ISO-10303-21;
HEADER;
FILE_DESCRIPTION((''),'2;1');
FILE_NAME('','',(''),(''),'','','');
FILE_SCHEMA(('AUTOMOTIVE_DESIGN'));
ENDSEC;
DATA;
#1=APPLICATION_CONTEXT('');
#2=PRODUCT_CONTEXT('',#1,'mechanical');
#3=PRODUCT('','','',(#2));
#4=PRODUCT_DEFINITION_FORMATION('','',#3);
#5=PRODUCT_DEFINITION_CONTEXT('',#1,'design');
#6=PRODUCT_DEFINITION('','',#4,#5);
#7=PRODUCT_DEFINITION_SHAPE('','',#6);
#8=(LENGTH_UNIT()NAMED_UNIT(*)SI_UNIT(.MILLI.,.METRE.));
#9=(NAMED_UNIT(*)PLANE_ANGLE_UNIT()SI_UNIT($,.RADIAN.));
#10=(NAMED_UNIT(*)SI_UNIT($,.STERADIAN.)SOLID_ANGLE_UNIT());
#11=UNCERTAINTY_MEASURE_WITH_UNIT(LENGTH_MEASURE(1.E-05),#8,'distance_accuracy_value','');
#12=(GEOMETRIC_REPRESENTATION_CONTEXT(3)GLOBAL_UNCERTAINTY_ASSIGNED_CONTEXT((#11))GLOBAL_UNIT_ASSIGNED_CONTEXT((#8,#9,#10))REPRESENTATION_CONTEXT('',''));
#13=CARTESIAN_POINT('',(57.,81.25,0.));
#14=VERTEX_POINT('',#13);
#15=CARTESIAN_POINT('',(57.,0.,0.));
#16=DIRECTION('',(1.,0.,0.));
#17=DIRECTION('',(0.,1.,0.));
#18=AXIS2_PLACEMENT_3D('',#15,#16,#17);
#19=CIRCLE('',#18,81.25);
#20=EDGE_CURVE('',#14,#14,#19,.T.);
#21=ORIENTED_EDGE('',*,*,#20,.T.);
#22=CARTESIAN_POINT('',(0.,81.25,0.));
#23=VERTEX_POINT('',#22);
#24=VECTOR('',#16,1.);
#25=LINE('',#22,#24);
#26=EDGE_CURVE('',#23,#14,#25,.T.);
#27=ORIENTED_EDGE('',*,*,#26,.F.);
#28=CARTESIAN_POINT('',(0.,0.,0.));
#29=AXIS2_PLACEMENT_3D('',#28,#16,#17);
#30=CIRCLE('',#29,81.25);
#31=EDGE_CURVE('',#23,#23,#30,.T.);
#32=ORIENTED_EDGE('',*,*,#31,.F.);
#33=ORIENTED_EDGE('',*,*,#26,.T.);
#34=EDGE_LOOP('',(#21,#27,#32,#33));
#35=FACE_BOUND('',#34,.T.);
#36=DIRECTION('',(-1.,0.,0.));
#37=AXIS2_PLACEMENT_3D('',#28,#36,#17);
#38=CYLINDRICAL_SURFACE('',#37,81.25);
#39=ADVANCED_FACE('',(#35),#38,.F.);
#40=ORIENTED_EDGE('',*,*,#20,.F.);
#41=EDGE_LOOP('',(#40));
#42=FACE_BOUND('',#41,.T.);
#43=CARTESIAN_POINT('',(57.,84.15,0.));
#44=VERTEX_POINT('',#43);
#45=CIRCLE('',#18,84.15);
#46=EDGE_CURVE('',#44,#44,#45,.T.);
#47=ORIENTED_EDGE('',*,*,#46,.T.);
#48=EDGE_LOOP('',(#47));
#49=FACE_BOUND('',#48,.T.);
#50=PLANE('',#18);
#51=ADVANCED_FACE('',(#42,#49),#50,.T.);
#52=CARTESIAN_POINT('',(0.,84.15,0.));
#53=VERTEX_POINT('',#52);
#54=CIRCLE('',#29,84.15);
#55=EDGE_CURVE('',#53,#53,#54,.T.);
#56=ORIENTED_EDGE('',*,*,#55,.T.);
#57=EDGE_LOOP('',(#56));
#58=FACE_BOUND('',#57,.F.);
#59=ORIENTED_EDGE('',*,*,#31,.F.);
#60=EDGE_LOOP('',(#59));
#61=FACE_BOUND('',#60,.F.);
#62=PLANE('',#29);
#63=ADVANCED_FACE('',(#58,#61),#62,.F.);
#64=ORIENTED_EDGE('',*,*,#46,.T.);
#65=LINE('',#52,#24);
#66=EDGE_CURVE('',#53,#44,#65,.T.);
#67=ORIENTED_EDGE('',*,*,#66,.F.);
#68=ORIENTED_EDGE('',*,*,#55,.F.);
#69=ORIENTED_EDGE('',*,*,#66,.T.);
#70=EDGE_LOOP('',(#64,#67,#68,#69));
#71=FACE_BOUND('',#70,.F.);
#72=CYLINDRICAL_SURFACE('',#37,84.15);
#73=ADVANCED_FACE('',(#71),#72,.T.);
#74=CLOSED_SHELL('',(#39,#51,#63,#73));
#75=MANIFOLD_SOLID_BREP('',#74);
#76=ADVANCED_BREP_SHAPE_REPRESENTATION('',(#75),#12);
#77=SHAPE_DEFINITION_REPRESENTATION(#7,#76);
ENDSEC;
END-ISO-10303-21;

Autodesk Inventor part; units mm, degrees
ref_plane "YZ Plane" through (0, 0, 0) normal (1, 0, 0) x (0, 1, 0)
ref_plane "XZ Plane" through (0, 0, 0) normal (0, 1, 0) x (-1, 0, 0)
ref_plane "XY Plane" through (0, 0, 0) normal (0, 0, 1) x (1, 0, 0)
sketch "Sketch1" plane through (0, 0, 0) normal (1, 0, 0) x (0, 1, 0)
  circle A0 centre (0, 0) radius 84.15
  circle A1 centre (0, 0) radius 81.25
  dimension "d0" = 168.3
  dimension "d1" = 2.9
extrude "Extrusion1" add sketch "Sketch1" along normal blind 57
equation "\"d0\" = OD"
equation "\"d1\" = t"
equation "\"d2\" = L"
equation "\"OD\" = 168.3"
equation "\"t\" = 2.9"
equation "\"L\" = PL"
equation "\"ID\" = 162.5"
equation "\"PL\" = 57"
equation "\"Size_Designation\" = 1.2345"
properties material "Steel"
